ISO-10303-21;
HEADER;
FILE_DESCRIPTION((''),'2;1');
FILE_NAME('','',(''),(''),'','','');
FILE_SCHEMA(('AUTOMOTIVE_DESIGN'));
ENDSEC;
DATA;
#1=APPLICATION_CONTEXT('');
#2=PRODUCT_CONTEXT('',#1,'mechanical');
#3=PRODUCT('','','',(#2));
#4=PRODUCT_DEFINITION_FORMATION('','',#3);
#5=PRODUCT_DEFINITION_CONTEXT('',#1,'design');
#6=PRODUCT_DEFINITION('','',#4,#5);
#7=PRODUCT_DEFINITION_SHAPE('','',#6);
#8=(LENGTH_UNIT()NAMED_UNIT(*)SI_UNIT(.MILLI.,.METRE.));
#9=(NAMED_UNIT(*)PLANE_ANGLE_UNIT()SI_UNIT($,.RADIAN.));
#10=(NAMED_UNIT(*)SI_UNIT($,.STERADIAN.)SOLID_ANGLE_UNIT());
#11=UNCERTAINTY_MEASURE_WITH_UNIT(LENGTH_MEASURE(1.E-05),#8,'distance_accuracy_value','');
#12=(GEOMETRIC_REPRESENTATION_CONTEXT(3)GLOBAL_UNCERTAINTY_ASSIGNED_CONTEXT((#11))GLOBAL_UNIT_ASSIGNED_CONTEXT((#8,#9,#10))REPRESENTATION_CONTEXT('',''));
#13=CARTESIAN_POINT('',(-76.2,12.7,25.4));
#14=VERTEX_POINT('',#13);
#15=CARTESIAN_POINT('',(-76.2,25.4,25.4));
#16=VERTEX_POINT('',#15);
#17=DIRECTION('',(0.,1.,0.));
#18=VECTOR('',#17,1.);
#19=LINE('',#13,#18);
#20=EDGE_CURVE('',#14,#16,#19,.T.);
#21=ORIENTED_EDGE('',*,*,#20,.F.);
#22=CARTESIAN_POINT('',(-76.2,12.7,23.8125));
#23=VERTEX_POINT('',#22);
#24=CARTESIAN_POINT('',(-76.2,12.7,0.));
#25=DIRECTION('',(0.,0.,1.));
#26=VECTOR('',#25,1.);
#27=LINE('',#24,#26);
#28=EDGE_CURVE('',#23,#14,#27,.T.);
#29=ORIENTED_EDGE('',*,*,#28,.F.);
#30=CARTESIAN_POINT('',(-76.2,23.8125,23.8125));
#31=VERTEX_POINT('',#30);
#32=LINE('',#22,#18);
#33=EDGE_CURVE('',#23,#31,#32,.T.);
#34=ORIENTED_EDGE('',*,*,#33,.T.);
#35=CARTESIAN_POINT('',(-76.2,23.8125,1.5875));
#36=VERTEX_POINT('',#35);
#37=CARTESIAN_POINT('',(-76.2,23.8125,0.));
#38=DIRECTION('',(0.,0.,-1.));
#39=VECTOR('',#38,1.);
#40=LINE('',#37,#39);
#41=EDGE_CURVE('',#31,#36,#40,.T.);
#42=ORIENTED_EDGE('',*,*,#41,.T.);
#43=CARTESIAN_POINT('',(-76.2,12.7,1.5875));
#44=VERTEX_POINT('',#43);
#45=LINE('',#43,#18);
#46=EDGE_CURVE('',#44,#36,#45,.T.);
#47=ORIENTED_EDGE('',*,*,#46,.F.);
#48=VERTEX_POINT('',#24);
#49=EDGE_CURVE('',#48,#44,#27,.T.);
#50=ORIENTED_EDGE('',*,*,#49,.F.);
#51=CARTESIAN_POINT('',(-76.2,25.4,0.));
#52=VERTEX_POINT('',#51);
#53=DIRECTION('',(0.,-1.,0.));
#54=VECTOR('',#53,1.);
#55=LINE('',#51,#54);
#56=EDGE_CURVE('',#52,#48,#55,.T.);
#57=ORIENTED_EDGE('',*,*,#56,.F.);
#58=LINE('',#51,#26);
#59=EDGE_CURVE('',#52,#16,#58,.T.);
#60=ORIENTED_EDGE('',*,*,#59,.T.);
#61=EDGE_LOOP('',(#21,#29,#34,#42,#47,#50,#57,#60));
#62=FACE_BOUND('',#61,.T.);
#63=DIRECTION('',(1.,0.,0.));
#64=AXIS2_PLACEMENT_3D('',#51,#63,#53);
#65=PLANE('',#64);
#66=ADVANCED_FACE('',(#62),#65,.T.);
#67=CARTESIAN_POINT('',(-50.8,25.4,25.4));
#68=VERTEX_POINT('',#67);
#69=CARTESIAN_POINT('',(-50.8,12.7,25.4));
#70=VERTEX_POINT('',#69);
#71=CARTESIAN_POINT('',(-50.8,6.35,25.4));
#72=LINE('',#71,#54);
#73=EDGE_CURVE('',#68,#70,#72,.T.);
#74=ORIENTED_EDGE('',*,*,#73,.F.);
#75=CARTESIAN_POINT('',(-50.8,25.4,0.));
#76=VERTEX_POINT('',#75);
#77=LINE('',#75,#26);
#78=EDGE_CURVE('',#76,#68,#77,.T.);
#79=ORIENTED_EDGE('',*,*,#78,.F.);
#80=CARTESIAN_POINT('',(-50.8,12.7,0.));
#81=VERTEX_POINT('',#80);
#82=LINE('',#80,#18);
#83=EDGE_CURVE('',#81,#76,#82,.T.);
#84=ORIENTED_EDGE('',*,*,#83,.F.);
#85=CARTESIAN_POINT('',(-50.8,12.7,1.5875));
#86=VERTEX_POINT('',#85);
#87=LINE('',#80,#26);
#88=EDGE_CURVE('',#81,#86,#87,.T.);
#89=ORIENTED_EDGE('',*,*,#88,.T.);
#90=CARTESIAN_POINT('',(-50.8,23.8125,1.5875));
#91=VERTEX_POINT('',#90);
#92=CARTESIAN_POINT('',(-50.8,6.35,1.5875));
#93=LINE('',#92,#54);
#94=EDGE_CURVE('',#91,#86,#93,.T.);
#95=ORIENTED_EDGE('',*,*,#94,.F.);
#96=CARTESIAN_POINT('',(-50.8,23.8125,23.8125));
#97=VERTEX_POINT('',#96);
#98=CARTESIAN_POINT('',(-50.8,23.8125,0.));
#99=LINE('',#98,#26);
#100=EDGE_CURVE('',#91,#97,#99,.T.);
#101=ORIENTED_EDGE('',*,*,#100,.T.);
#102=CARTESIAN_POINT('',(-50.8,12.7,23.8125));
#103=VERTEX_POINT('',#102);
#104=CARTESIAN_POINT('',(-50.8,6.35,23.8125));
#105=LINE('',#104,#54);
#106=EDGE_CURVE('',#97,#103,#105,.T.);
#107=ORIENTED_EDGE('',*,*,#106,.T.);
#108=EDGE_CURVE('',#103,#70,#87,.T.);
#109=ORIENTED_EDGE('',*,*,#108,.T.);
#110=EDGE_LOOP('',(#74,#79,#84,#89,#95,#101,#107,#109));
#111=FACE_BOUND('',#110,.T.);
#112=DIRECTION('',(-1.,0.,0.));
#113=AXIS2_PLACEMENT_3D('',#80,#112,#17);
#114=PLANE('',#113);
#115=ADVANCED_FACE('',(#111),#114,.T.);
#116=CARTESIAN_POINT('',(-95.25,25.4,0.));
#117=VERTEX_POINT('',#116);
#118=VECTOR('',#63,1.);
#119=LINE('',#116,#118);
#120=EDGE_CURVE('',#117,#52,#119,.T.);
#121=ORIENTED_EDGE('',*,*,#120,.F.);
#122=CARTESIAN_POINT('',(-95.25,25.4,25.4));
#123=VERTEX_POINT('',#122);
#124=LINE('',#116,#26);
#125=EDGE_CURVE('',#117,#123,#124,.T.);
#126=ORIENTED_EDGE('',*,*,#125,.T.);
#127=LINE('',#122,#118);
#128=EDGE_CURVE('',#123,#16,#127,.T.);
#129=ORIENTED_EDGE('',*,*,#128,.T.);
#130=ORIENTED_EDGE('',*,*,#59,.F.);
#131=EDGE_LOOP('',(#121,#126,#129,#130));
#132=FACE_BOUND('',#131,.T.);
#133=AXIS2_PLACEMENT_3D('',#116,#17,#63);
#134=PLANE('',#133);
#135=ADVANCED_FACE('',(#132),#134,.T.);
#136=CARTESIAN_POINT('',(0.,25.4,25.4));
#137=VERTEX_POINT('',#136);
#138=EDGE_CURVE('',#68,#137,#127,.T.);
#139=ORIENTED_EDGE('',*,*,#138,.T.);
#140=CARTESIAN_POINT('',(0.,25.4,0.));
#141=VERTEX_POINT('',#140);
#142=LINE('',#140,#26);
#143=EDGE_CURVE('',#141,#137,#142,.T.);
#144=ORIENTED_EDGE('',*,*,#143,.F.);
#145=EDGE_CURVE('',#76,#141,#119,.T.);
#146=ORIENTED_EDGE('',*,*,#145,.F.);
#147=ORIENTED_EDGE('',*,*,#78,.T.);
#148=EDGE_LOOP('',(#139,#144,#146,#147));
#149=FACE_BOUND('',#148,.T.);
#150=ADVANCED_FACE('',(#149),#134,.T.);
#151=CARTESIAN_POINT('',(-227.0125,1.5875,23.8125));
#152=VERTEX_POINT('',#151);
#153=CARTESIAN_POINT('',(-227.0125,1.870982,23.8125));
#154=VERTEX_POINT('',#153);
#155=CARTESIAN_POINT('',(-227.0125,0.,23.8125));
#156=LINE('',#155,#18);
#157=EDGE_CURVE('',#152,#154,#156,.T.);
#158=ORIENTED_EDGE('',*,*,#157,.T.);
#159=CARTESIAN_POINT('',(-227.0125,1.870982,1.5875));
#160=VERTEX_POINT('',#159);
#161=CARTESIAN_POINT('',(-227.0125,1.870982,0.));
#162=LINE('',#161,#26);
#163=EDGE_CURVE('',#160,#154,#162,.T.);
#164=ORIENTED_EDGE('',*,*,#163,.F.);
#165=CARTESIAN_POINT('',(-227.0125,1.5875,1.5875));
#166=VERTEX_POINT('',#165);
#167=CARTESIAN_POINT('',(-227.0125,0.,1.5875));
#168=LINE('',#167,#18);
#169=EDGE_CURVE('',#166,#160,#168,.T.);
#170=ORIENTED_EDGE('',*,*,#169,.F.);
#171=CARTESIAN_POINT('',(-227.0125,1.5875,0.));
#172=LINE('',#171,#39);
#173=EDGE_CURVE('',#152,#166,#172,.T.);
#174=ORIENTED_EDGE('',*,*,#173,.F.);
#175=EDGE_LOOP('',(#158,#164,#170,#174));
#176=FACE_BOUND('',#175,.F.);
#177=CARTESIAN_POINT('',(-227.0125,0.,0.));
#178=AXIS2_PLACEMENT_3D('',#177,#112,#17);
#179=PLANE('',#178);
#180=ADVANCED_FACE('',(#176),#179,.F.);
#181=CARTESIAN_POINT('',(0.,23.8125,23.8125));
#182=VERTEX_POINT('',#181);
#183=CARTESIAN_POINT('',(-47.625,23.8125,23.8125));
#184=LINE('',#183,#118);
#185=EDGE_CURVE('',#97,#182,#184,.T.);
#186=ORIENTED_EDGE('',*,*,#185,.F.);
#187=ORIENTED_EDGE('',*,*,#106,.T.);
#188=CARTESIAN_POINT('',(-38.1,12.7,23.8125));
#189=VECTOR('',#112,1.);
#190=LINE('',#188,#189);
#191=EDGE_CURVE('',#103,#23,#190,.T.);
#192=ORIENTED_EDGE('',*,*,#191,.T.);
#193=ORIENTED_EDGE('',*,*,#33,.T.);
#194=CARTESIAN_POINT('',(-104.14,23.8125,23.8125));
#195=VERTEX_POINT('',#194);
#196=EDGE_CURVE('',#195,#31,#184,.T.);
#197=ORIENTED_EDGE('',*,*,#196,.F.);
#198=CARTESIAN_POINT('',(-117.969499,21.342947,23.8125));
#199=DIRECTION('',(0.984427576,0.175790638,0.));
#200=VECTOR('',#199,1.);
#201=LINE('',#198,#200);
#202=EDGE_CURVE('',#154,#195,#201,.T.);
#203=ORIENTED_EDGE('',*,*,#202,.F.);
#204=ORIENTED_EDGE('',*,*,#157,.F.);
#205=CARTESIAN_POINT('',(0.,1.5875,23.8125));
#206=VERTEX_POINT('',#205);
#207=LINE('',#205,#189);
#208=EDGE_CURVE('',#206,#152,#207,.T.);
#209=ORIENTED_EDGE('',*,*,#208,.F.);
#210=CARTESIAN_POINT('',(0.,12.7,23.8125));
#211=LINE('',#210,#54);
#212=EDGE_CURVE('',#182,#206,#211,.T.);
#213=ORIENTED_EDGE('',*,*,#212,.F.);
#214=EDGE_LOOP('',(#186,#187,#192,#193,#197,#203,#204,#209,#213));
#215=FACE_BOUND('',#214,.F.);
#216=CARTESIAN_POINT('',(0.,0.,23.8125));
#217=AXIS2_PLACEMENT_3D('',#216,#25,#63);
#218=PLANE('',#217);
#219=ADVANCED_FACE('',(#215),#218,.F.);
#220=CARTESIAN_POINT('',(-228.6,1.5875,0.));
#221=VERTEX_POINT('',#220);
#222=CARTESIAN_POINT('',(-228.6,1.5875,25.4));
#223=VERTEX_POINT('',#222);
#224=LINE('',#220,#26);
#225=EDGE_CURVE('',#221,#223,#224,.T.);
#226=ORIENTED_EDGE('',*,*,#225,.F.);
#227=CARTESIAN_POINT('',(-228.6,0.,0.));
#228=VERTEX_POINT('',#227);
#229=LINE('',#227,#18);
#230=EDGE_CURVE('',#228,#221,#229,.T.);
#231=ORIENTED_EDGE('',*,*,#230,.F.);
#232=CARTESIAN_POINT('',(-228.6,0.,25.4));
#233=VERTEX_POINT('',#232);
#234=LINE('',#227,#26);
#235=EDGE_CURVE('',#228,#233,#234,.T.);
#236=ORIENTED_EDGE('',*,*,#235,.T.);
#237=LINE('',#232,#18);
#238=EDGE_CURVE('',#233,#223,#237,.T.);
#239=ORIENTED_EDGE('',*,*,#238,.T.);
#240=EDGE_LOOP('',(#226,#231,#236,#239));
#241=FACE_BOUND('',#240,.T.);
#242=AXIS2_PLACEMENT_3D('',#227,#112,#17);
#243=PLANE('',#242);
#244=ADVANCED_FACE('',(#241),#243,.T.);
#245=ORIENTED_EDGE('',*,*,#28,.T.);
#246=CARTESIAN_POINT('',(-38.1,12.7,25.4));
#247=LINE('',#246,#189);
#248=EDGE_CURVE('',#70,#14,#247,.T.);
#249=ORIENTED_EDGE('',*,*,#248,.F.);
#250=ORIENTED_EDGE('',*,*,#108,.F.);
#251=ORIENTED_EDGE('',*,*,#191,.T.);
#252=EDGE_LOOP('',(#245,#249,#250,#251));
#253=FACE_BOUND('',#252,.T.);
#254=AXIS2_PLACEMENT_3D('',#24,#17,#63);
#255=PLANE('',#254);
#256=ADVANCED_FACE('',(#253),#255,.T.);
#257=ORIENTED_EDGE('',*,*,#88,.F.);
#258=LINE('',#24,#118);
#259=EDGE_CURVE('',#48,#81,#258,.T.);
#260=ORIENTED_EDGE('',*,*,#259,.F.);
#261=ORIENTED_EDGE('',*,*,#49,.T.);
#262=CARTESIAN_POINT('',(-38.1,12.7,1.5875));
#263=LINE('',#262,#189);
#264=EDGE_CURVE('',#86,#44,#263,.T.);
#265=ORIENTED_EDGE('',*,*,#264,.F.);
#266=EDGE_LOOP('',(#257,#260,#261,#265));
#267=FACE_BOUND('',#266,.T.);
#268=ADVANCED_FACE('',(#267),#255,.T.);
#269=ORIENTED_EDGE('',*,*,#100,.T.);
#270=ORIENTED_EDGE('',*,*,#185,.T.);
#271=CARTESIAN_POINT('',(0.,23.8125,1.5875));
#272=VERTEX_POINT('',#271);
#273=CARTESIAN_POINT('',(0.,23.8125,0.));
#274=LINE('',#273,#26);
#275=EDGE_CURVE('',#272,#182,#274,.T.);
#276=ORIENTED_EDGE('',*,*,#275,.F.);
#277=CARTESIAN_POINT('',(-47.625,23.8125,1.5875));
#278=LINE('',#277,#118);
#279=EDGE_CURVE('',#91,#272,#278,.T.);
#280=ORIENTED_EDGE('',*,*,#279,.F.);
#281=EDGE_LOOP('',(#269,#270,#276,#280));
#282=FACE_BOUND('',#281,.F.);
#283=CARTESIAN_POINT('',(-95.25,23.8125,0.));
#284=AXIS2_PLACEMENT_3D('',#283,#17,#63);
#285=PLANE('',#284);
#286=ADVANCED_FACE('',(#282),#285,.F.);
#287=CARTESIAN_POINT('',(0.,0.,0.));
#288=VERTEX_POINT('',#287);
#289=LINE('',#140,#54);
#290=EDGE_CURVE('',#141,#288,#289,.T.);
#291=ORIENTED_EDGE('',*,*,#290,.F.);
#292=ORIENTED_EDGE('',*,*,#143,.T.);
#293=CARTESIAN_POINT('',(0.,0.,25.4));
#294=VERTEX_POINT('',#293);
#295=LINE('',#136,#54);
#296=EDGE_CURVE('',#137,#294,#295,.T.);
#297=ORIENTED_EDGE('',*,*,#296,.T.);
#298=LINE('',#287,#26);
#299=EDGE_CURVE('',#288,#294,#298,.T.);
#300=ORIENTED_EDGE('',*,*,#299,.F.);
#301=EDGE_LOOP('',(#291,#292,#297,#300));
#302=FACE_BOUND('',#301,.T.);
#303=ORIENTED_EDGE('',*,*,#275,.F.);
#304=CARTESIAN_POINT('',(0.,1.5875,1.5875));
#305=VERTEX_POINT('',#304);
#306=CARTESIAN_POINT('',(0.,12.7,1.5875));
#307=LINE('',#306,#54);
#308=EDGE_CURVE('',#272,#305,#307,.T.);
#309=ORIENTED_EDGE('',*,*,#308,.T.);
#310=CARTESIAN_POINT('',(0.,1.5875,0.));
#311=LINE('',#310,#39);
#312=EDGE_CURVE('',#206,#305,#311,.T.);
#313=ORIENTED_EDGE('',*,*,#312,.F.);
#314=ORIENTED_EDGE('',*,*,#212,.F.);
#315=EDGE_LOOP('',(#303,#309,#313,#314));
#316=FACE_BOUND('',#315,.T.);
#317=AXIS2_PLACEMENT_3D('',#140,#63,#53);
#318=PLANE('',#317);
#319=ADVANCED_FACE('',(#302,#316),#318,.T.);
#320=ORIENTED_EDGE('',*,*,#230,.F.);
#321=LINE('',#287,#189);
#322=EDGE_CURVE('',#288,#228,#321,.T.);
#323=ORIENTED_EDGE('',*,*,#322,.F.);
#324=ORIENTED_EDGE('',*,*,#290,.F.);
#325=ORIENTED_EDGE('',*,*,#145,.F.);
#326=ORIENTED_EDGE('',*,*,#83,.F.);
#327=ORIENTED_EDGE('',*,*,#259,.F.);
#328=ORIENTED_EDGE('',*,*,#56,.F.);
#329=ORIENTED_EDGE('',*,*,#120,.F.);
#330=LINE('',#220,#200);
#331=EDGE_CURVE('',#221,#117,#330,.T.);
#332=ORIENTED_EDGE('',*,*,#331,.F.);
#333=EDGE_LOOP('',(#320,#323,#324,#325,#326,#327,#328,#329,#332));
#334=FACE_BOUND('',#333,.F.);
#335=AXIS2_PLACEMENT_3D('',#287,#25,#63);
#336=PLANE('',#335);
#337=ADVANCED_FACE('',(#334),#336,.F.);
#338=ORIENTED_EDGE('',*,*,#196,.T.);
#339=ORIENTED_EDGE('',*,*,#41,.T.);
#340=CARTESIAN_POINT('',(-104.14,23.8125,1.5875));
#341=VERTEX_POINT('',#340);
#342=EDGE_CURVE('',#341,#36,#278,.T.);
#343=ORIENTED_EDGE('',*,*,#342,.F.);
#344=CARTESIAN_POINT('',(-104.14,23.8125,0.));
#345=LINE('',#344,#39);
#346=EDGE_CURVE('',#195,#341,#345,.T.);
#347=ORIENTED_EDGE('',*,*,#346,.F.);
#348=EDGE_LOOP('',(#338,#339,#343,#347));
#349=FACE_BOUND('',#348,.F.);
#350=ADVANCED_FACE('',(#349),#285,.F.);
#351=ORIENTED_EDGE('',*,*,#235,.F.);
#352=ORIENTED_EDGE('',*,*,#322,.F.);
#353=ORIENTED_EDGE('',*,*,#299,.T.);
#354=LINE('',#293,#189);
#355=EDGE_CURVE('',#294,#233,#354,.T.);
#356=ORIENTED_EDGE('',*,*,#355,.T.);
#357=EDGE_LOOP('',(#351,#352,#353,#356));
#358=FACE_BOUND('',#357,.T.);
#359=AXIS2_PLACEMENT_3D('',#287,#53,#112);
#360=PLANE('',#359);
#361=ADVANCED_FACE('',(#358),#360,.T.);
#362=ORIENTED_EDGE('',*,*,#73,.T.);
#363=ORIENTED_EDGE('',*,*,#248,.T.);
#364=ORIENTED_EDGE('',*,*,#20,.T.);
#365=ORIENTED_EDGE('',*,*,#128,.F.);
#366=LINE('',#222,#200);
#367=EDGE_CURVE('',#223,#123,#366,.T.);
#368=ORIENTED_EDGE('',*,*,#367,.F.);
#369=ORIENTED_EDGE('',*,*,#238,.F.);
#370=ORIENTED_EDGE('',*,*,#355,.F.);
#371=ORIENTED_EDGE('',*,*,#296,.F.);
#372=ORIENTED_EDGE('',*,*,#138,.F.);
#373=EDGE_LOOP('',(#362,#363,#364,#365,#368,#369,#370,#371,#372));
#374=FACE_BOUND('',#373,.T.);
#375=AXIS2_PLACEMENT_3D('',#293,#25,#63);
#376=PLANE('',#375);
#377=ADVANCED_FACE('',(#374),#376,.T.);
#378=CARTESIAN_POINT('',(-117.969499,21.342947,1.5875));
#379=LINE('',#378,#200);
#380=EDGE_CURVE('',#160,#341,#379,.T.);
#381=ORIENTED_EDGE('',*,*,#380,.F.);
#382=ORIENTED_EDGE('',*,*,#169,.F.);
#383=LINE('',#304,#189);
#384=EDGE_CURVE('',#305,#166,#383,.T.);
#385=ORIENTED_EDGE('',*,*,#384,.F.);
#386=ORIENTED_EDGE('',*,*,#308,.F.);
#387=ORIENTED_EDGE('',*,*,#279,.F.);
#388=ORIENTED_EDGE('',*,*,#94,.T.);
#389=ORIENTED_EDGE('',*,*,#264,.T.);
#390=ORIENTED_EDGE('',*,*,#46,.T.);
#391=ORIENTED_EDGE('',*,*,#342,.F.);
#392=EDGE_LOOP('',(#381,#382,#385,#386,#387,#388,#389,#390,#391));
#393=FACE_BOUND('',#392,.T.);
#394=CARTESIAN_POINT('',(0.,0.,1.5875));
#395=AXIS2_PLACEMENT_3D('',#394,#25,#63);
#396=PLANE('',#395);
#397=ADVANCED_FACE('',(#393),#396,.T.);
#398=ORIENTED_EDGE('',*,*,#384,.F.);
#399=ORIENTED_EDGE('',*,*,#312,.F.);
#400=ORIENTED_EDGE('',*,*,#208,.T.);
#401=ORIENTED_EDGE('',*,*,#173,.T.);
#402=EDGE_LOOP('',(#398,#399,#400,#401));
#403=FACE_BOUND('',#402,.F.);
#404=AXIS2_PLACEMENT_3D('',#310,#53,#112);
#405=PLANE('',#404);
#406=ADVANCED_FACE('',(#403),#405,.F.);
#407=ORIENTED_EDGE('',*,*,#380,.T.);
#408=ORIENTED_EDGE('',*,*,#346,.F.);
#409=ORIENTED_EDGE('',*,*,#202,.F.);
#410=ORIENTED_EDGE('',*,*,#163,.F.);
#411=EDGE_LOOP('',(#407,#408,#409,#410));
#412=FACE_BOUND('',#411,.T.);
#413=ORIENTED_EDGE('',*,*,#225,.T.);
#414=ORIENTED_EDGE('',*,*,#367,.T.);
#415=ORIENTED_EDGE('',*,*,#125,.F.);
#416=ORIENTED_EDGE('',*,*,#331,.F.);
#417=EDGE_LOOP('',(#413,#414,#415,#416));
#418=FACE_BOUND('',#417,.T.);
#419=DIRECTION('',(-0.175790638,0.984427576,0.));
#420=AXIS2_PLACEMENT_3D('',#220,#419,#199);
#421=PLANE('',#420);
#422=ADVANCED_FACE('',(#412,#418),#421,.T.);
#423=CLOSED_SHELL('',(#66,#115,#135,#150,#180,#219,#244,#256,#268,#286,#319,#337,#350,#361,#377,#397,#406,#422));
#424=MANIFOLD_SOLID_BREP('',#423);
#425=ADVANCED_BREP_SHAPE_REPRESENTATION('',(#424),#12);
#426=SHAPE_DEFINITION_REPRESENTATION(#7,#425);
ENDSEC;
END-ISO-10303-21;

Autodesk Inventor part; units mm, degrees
ref_plane "YZ Plane" through (0, 0, 0) normal (1, 0, 0) x (0, 1, 0)
ref_plane "XZ Plane" through (0, 0, 0) normal (0, 1, 0) x (-1, 0, 0)
ref_plane "XY Plane" through (0, 0, 0) normal (0, 0, 1) x (1, 0, 0)
sketch "Sketch1" plane through (0, 0, 0) normal (0, 0, 1) x (1, 0, 0)
  line L0 (0, 0) -> (-228.6, 0)
  line L1 (-228.6, 0) -> (-228.6, 1.5875)
  line L2 (-228.6, 1.5875) -> (-95.25, 25.4)
  line L3 (-95.25, 25.4) -> (0, 25.4)
  line L4 (0, 25.4) -> (0, 0)
  dimension "d0" = 25.4
  dimension "d1" = 228.6
  dimension "d2" = 1.5875
  dimension "d3" = 95.25
extrude "Extrusion1" add sketch "Sketch1" along normal blind 25.4
shell "Shell1" thickness 1.5875 removed faces 2 at (-184.15, 9.525, 8.4667) at (0, 16.9333, 8.4667)
sketch "Sketch2" plane through (0, 0, 0) normal (0, 0, -1) x (-1, 0, 0)
  line L0 (95.25, 25.4) -> (0, 25.4) projected
  line L1 (0, 25.4) -> (0, 0) projected
  line L2 (50.8, 25.4) -> (76.2, 25.4)
  line L3 (76.2, 25.4) -> (76.2, 12.7)
  line L4 (76.2, 12.7) -> (50.8, 12.7)
  line L5 (50.8, 12.7) -> (50.8, 25.4)
  dimension "d7" = 25.4
  dimension "d8" = 12.7
  dimension "d9" = 50.8
extrude "Extrusion2" cut sketch "Sketch2" against normal through all
properties part number "Shovel_BottomFrame" material "Aluminum-6061"
